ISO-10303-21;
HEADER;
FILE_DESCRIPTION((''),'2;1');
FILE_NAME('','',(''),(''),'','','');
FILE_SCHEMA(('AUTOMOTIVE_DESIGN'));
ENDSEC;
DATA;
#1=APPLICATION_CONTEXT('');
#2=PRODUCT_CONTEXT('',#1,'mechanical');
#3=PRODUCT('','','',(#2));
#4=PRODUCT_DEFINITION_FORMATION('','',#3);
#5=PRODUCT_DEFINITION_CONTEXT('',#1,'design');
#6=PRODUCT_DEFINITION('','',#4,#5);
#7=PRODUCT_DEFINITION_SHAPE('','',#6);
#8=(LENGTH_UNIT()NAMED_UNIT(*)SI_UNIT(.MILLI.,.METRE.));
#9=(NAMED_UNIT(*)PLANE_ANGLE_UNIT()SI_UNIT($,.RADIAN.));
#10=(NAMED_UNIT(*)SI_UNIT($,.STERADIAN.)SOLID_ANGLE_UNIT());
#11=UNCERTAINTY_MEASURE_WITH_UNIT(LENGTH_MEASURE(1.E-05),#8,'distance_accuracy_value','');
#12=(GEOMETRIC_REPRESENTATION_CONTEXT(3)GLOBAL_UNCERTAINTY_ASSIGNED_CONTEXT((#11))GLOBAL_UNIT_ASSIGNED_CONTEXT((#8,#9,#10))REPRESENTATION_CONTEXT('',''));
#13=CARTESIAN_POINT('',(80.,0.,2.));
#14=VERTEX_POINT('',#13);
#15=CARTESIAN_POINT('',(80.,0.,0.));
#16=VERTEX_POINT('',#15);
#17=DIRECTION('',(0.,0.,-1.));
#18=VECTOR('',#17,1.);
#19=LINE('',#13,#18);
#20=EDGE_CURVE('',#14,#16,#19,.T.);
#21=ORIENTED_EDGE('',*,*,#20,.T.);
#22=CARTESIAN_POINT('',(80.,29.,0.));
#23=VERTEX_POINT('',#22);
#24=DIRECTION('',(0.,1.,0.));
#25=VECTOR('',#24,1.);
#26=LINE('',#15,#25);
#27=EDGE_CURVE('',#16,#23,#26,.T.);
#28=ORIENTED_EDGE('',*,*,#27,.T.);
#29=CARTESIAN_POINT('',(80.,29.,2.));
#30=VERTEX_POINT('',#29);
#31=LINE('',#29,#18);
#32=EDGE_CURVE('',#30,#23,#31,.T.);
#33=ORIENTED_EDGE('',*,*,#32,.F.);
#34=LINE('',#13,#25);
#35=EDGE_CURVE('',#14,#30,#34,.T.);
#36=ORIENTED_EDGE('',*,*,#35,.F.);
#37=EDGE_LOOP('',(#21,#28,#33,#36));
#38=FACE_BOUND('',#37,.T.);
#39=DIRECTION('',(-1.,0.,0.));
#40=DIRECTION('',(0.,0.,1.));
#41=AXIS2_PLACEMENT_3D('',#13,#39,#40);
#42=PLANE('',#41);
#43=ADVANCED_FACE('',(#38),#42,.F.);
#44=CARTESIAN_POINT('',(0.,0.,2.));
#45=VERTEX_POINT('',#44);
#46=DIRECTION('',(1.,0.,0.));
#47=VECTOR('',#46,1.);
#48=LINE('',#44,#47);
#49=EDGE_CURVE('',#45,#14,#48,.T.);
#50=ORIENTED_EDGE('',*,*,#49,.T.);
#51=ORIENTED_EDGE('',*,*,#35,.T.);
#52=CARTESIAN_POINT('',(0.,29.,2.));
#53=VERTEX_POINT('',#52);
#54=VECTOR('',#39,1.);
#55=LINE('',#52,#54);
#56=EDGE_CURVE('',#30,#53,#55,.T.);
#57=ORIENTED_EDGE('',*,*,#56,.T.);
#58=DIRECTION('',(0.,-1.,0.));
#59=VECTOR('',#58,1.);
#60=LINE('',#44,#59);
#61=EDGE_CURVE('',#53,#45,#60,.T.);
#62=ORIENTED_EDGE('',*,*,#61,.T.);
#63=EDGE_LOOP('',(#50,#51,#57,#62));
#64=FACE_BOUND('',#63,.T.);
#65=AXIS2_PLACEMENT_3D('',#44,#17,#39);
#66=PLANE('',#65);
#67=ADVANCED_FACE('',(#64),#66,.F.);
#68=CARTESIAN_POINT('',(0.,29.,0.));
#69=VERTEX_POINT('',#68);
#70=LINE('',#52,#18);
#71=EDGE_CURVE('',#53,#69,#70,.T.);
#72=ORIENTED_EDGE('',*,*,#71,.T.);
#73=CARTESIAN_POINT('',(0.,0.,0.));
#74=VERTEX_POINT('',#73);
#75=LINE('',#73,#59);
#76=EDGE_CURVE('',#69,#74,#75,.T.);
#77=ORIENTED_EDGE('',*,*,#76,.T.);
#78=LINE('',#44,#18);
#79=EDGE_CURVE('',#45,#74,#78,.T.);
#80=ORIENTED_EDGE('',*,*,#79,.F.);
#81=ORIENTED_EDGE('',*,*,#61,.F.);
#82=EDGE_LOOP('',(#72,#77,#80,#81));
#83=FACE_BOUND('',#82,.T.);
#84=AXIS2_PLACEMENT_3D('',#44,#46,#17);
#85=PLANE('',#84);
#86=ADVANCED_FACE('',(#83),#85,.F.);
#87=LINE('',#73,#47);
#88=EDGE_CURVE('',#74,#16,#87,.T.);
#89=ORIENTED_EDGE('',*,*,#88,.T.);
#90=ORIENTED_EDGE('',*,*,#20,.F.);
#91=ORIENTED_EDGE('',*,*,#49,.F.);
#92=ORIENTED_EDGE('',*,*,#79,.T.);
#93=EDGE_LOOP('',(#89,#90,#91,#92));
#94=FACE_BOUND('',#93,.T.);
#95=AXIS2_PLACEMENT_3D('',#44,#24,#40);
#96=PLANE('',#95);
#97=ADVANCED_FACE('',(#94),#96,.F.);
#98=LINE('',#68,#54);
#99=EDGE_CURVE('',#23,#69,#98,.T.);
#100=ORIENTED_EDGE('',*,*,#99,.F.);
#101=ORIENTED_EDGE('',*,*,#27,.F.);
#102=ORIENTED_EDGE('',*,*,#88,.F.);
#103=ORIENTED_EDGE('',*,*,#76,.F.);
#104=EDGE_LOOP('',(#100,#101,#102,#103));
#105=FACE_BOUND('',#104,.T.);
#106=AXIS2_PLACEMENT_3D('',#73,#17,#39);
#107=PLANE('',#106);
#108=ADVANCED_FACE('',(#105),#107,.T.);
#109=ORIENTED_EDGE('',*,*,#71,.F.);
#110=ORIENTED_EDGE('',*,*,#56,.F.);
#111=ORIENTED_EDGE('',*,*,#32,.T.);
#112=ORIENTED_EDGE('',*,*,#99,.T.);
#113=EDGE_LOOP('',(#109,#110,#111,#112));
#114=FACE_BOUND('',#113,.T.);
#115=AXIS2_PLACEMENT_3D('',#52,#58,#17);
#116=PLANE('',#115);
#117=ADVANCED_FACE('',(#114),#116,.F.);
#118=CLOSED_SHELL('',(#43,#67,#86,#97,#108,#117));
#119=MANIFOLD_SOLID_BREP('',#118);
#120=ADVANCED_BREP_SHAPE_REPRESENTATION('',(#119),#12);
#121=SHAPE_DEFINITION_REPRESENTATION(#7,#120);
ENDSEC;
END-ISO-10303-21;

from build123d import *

# Parameters (mm, degrees)
SKETCH_1_W      = 80
SKETCH_1_H      = 29
EXTRUDE_1_DEPTH = 2


with BuildPart() as part:
    # 草图1 → 凸台-拉伸1 (new body)
    with BuildSketch(Plane.XY):
        with Locations((40, 14.5)):
            Rectangle(SKETCH_1_W, SKETCH_1_H)
    extrude(amount=EXTRUDE_1_DEPTH)


solid = part.part
